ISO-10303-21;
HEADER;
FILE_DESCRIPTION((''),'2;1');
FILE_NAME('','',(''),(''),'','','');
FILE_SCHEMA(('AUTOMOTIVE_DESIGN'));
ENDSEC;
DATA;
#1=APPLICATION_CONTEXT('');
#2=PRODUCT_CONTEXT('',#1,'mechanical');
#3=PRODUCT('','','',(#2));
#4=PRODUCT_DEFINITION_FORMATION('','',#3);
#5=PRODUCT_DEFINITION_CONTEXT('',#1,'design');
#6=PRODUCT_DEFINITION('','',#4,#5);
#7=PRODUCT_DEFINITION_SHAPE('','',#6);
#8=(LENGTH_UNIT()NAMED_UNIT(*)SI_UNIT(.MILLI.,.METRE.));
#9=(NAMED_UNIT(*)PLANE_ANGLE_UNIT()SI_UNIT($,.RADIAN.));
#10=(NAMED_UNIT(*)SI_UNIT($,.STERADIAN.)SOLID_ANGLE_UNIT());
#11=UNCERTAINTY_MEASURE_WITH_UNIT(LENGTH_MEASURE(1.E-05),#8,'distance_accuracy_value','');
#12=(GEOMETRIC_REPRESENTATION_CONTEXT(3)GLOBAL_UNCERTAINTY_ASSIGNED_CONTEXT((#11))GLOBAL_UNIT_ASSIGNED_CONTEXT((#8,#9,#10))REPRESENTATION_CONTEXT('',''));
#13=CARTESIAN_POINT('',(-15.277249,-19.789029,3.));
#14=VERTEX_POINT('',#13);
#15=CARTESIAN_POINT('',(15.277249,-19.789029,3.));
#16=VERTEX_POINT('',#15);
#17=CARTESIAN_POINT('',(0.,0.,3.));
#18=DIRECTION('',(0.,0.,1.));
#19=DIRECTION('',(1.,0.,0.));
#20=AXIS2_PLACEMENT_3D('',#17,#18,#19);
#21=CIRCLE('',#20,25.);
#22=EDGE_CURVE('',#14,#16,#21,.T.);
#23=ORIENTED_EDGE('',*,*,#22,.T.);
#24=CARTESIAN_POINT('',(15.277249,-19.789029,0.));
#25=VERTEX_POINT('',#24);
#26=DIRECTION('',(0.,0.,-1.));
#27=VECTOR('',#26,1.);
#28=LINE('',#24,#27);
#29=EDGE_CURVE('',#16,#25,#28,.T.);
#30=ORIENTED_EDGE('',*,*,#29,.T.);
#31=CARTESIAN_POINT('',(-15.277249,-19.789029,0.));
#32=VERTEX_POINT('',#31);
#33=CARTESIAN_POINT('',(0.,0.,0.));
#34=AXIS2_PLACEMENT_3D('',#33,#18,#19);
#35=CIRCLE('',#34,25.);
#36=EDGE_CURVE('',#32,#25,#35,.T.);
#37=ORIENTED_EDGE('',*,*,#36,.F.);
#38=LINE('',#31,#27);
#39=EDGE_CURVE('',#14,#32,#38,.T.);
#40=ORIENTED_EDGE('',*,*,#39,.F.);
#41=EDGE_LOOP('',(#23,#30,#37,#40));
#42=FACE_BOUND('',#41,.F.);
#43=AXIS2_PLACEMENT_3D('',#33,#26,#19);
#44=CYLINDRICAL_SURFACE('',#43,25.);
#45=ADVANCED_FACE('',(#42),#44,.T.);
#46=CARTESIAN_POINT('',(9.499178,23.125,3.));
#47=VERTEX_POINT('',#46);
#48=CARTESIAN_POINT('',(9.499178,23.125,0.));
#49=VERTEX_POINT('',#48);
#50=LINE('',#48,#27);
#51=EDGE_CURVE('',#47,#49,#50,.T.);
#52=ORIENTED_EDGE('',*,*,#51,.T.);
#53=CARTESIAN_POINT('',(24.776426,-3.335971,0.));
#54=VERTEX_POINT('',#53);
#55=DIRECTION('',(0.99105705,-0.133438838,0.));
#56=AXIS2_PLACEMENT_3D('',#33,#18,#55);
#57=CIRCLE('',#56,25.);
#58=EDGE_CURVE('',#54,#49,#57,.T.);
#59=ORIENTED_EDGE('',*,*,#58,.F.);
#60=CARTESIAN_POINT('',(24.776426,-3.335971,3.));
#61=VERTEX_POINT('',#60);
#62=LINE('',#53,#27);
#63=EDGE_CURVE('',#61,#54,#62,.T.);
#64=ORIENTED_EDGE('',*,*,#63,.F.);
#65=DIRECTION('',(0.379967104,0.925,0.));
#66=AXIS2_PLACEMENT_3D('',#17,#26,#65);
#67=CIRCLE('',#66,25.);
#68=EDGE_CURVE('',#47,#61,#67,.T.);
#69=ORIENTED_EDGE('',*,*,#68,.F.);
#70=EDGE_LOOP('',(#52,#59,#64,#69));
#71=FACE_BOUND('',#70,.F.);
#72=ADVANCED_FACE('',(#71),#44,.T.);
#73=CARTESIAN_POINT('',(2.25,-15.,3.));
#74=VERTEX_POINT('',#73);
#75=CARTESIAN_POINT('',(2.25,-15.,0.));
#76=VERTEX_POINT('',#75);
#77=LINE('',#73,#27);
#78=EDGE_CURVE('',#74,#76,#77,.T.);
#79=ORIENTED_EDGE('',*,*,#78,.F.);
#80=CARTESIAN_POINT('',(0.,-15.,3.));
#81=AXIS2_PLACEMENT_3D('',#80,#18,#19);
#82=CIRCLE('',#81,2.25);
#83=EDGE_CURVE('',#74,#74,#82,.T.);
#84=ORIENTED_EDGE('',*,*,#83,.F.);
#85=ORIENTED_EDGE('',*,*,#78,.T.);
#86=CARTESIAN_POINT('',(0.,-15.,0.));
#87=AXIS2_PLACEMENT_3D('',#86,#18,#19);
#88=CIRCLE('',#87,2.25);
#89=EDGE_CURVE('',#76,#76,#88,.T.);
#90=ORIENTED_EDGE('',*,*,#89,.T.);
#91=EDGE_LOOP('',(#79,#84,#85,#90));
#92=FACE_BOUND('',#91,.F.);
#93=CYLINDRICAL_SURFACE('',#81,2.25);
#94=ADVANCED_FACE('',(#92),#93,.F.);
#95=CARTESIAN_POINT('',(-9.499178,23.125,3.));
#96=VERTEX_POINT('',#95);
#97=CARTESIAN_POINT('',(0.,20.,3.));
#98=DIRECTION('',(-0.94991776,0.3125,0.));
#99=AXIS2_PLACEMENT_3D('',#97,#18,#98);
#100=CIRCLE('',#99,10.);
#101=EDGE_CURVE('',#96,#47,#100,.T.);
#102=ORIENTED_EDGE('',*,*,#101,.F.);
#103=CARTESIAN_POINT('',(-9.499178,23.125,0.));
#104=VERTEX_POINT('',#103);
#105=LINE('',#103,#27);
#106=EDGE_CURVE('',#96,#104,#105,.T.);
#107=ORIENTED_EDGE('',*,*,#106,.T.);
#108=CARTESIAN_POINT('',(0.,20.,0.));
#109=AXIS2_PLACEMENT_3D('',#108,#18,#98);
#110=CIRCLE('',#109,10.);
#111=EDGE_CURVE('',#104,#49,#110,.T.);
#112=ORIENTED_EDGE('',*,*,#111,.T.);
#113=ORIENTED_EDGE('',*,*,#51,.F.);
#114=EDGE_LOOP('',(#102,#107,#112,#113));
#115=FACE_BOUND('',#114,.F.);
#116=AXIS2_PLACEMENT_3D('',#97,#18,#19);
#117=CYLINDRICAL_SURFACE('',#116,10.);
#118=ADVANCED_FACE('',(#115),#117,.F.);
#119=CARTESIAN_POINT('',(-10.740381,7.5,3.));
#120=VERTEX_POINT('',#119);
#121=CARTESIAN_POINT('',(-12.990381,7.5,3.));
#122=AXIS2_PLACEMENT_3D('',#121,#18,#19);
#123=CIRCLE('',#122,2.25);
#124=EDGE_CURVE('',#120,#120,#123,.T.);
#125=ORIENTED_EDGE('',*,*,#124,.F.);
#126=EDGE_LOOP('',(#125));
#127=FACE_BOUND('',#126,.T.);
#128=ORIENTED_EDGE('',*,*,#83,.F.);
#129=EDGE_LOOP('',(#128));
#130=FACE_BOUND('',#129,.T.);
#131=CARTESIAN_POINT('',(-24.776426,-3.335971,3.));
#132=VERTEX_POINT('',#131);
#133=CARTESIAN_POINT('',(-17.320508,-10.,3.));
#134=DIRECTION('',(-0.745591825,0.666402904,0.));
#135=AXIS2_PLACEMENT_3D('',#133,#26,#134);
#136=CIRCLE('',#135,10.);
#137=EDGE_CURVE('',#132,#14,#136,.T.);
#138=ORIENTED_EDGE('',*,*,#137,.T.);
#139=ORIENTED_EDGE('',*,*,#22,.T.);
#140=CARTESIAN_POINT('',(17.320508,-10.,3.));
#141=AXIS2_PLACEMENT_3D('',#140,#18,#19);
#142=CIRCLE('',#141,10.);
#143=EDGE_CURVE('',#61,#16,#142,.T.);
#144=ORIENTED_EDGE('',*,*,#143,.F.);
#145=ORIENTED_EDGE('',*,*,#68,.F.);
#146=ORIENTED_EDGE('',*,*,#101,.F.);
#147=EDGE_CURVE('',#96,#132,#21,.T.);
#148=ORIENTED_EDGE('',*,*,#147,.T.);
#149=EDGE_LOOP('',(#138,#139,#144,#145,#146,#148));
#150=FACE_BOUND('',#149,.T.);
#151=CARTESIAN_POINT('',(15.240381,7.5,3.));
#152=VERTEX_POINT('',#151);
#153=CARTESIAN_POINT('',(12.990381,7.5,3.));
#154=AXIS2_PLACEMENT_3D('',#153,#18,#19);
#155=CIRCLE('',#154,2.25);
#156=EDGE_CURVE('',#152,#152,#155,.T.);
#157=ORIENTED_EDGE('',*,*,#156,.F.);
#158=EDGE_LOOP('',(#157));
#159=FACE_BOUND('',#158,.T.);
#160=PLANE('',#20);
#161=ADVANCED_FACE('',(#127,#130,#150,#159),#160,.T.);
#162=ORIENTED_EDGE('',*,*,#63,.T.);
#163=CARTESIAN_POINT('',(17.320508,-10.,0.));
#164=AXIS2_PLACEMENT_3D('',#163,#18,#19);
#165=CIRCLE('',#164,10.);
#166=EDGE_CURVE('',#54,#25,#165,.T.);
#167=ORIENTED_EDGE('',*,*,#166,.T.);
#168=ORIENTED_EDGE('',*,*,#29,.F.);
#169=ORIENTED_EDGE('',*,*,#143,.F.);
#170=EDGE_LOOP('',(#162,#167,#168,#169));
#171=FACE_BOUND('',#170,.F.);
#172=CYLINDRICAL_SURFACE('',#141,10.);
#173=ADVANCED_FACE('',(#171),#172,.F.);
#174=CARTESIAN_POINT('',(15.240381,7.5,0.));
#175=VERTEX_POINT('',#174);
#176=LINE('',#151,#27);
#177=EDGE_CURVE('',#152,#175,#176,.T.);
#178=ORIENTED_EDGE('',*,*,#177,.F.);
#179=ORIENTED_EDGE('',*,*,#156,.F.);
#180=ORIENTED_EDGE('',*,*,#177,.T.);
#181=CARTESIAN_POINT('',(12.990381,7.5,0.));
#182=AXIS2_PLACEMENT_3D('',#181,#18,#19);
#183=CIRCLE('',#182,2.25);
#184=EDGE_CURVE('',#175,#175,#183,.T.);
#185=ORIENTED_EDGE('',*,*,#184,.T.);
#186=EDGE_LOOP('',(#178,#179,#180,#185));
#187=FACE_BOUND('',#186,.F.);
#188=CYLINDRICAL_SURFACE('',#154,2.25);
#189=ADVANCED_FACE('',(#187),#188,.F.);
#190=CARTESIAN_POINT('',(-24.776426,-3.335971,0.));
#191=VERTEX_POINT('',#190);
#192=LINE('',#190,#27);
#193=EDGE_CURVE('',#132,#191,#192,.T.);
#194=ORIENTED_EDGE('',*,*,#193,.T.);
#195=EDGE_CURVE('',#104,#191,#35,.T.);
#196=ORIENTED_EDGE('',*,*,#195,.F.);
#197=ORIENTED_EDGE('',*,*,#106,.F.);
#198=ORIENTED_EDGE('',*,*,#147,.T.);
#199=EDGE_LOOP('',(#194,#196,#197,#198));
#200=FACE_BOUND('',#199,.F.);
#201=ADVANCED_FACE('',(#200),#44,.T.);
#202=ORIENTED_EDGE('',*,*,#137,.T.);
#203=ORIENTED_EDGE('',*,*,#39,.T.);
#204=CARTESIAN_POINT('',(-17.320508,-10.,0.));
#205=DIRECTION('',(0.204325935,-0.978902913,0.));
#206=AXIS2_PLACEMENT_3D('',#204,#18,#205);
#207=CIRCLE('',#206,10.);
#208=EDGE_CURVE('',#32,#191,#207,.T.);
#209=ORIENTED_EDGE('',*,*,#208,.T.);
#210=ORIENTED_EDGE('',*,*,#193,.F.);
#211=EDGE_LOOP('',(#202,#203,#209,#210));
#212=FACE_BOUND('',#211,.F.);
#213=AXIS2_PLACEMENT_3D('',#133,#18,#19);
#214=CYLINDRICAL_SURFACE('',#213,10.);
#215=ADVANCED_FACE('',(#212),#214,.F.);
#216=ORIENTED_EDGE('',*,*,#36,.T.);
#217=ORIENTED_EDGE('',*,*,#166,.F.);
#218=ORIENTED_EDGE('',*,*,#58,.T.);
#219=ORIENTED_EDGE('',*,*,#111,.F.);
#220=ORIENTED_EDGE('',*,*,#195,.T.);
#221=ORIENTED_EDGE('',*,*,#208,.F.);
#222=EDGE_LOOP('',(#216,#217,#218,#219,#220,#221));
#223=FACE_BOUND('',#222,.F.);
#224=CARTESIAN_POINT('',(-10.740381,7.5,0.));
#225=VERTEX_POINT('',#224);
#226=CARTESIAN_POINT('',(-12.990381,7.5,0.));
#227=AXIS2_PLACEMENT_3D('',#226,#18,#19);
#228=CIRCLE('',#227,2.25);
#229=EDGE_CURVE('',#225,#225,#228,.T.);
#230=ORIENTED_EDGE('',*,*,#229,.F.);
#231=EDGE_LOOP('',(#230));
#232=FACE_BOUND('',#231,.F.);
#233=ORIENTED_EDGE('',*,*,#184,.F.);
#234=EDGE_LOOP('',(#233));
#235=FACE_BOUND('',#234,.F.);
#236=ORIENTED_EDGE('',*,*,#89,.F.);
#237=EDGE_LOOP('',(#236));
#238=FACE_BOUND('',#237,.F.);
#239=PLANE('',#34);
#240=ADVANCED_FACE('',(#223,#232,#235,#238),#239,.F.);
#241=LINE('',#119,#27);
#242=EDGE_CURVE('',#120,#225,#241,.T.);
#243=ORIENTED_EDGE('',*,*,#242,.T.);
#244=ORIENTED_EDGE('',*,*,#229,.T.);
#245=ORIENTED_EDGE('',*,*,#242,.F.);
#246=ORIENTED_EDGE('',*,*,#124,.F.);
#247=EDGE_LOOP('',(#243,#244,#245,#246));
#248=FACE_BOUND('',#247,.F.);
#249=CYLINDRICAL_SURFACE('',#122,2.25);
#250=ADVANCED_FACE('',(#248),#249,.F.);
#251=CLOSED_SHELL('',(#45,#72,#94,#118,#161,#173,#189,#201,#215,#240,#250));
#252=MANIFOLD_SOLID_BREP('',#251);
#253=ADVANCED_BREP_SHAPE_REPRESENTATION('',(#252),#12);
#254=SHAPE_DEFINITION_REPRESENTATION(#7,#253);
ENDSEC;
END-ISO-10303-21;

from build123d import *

# Parameters (mm, degrees)
F0_R     = 25
F1_DEPTH = 3
F2_R     = 2.25
F3_DEPTH = 25
F4_R     = 10
F5_DEPTH = 25


with BuildPart() as f1:
    # F0 (on Top) → F1 (new body)
    with BuildSketch(Plane.XY):
        Circle(F0_R)
    extrude(amount=F1_DEPTH)

    # F2 (on face) → F3 (cut)
    with BuildSketch(Plane.XY.offset(3)):
        with Locations((0, 15)):
            Circle(F2_R)
        with Locations((-12.990381, 7.5)):
            Circle(F2_R)
        with Locations((-12.990381, -7.5)):
            Circle(F2_R)
        with Locations((0, -15)):
            Circle(F2_R)
        with Locations((12.990381, -7.5)):
            Circle(F2_R)
        with Locations((12.990381, 7.5)):
            Circle(F2_R)
    extrude(amount=-F3_DEPTH, mode=Mode.SUBTRACT)

    # F4 (on face) → F5 (cut)
    with BuildSketch(Plane.XY.offset(3)):
        with Locations((0, 20)):
            Circle(F4_R)
        with Locations((-17.320508, -10)):
            Circle(F4_R)
        with Locations((17.320508, -10)):
            Circle(F4_R)
    extrude(amount=-F5_DEPTH, mode=Mode.SUBTRACT)


solid = f1.part
